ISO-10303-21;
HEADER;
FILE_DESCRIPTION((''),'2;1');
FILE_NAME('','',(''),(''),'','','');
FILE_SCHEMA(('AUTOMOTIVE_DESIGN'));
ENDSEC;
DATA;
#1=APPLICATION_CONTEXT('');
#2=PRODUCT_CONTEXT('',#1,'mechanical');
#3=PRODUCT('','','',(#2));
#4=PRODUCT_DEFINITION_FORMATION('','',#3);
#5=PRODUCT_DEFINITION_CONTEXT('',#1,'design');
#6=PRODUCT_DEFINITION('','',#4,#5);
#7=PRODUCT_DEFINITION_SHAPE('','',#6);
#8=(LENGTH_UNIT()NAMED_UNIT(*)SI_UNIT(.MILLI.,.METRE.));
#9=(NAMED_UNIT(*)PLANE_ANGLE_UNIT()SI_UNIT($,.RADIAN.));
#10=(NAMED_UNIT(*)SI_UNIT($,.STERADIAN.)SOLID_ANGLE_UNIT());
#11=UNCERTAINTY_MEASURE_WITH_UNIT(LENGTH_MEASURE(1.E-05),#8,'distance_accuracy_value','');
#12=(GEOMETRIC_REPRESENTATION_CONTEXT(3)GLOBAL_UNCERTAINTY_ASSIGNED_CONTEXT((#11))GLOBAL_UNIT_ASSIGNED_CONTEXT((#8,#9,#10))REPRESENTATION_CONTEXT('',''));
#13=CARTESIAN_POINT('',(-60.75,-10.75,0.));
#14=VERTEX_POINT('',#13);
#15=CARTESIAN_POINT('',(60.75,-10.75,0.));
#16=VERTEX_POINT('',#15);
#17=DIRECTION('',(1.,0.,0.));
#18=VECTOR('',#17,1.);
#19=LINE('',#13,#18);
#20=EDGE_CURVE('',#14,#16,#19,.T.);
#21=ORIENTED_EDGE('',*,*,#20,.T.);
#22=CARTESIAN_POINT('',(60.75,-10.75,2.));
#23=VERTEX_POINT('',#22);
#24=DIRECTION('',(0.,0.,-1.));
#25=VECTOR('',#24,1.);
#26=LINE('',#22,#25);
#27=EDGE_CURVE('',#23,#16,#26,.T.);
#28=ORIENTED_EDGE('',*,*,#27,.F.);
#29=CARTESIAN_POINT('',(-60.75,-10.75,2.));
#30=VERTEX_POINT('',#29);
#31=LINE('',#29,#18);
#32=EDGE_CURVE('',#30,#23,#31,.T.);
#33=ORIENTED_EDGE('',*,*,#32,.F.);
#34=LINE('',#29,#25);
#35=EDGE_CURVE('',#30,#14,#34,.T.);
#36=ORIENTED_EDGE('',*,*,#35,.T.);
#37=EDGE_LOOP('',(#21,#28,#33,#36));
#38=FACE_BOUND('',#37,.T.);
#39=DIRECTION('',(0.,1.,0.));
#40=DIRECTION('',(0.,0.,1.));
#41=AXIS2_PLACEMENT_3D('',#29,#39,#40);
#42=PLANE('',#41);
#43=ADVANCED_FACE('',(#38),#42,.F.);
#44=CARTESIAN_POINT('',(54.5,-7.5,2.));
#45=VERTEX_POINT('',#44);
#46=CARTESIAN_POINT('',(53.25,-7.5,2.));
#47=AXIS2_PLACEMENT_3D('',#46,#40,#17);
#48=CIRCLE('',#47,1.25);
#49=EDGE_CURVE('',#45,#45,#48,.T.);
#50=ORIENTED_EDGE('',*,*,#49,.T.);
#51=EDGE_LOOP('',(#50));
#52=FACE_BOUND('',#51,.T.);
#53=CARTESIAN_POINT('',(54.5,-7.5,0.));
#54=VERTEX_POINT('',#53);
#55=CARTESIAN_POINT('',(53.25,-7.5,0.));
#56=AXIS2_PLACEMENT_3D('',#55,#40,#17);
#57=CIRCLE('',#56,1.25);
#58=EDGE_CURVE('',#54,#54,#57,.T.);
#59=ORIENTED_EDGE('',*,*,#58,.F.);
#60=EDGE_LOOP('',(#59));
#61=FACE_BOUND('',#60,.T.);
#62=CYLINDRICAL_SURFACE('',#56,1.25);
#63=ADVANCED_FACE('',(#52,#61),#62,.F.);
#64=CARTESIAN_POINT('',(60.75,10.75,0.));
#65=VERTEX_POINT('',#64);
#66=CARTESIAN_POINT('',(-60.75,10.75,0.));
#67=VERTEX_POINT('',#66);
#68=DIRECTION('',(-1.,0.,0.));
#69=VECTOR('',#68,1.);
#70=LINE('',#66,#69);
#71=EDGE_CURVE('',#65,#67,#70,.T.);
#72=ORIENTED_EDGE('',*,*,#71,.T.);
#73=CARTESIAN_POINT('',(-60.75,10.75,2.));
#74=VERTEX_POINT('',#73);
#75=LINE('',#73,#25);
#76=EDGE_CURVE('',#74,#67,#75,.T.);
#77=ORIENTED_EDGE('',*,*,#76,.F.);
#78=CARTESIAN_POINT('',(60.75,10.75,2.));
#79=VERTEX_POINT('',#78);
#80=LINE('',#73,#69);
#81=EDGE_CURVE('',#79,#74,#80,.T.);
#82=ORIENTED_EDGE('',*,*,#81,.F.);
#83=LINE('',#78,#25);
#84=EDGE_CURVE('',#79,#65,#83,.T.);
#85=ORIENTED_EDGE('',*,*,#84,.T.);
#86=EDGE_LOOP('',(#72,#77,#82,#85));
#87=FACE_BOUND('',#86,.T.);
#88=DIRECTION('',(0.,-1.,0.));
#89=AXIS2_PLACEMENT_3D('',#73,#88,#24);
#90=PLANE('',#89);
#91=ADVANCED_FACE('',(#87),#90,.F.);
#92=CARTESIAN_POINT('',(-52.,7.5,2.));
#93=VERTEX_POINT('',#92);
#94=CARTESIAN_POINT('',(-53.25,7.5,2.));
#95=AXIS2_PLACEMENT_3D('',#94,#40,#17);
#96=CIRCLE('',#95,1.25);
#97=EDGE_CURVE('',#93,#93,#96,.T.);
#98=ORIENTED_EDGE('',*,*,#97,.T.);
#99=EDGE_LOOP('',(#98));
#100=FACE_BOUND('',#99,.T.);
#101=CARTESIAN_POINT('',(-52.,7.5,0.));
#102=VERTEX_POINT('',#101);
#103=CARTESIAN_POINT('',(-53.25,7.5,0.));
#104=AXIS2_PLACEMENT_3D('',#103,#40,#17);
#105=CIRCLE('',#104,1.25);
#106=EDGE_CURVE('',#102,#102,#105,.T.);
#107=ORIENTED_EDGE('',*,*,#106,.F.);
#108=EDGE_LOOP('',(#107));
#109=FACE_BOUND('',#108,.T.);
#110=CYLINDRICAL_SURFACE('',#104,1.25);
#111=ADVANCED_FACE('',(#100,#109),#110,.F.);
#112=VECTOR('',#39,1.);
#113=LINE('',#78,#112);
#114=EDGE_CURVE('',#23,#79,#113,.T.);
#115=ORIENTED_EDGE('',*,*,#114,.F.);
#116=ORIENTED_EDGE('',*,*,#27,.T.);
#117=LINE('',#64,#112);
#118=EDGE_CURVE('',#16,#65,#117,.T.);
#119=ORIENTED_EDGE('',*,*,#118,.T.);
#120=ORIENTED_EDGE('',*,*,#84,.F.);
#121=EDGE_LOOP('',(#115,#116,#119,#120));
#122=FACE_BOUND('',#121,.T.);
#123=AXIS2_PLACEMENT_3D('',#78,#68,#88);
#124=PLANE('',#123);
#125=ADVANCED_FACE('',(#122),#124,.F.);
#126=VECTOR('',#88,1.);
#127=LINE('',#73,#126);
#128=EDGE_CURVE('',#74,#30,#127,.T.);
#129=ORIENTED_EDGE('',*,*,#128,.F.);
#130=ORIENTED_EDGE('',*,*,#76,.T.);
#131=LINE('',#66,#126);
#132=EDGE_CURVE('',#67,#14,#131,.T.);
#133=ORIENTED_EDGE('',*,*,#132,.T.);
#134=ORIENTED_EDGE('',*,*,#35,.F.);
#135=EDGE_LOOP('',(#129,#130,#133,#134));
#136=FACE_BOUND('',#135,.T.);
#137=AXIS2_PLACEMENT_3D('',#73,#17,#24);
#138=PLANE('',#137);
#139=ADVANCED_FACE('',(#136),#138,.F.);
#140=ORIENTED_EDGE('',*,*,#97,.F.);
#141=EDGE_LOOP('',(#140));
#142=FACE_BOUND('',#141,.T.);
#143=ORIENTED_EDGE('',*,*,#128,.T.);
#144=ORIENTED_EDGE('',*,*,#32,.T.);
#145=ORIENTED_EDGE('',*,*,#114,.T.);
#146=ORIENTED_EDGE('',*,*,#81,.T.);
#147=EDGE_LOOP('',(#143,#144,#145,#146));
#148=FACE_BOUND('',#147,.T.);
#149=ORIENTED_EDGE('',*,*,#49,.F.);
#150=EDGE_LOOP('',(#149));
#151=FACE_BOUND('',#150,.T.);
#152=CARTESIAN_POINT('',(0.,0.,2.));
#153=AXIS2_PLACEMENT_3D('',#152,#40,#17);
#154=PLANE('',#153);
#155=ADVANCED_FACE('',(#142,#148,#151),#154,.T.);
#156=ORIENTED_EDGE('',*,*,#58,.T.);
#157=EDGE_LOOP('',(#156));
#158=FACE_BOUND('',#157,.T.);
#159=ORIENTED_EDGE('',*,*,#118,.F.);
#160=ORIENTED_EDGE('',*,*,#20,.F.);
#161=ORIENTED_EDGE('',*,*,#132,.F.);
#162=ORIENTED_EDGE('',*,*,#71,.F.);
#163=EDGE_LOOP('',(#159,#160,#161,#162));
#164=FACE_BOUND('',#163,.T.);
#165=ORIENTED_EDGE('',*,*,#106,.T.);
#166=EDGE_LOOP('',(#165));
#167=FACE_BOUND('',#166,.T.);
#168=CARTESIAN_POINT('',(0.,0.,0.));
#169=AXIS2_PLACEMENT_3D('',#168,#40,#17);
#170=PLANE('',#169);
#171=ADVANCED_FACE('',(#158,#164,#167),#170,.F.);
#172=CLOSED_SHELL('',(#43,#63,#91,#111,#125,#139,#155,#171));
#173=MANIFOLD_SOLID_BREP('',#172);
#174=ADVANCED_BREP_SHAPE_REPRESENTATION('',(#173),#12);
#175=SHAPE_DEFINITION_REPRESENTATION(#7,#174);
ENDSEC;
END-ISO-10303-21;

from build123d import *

# Parameters (mm, degrees)
SKETCH1_W           = 121.5
SKETCH1_H           = 21.5
BOSS_EXTRUDE1_DEPTH = 2
SKETCH2_R           = 1.25
CUT_EXTRUDE1_DEPTH  = 3


with BuildPart() as part:
    # Sketch1 → Boss-Extrude1 (new body)
    with BuildSketch(Plane.XY):
        Rectangle(SKETCH1_W, SKETCH1_H)
    extrude(amount=BOSS_EXTRUDE1_DEPTH)

    # Sketch2 → Cut-Extrude1 (cut, through all)
    with BuildSketch(Plane.XY.offset(2)):
        with Locations((-53.25, 7.5)):
            Circle(SKETCH2_R)
        with Locations((53.25, -7.5)):
            Circle(SKETCH2_R)
    extrude(amount=-CUT_EXTRUDE1_DEPTH, mode=Mode.SUBTRACT)


solid = part.part
